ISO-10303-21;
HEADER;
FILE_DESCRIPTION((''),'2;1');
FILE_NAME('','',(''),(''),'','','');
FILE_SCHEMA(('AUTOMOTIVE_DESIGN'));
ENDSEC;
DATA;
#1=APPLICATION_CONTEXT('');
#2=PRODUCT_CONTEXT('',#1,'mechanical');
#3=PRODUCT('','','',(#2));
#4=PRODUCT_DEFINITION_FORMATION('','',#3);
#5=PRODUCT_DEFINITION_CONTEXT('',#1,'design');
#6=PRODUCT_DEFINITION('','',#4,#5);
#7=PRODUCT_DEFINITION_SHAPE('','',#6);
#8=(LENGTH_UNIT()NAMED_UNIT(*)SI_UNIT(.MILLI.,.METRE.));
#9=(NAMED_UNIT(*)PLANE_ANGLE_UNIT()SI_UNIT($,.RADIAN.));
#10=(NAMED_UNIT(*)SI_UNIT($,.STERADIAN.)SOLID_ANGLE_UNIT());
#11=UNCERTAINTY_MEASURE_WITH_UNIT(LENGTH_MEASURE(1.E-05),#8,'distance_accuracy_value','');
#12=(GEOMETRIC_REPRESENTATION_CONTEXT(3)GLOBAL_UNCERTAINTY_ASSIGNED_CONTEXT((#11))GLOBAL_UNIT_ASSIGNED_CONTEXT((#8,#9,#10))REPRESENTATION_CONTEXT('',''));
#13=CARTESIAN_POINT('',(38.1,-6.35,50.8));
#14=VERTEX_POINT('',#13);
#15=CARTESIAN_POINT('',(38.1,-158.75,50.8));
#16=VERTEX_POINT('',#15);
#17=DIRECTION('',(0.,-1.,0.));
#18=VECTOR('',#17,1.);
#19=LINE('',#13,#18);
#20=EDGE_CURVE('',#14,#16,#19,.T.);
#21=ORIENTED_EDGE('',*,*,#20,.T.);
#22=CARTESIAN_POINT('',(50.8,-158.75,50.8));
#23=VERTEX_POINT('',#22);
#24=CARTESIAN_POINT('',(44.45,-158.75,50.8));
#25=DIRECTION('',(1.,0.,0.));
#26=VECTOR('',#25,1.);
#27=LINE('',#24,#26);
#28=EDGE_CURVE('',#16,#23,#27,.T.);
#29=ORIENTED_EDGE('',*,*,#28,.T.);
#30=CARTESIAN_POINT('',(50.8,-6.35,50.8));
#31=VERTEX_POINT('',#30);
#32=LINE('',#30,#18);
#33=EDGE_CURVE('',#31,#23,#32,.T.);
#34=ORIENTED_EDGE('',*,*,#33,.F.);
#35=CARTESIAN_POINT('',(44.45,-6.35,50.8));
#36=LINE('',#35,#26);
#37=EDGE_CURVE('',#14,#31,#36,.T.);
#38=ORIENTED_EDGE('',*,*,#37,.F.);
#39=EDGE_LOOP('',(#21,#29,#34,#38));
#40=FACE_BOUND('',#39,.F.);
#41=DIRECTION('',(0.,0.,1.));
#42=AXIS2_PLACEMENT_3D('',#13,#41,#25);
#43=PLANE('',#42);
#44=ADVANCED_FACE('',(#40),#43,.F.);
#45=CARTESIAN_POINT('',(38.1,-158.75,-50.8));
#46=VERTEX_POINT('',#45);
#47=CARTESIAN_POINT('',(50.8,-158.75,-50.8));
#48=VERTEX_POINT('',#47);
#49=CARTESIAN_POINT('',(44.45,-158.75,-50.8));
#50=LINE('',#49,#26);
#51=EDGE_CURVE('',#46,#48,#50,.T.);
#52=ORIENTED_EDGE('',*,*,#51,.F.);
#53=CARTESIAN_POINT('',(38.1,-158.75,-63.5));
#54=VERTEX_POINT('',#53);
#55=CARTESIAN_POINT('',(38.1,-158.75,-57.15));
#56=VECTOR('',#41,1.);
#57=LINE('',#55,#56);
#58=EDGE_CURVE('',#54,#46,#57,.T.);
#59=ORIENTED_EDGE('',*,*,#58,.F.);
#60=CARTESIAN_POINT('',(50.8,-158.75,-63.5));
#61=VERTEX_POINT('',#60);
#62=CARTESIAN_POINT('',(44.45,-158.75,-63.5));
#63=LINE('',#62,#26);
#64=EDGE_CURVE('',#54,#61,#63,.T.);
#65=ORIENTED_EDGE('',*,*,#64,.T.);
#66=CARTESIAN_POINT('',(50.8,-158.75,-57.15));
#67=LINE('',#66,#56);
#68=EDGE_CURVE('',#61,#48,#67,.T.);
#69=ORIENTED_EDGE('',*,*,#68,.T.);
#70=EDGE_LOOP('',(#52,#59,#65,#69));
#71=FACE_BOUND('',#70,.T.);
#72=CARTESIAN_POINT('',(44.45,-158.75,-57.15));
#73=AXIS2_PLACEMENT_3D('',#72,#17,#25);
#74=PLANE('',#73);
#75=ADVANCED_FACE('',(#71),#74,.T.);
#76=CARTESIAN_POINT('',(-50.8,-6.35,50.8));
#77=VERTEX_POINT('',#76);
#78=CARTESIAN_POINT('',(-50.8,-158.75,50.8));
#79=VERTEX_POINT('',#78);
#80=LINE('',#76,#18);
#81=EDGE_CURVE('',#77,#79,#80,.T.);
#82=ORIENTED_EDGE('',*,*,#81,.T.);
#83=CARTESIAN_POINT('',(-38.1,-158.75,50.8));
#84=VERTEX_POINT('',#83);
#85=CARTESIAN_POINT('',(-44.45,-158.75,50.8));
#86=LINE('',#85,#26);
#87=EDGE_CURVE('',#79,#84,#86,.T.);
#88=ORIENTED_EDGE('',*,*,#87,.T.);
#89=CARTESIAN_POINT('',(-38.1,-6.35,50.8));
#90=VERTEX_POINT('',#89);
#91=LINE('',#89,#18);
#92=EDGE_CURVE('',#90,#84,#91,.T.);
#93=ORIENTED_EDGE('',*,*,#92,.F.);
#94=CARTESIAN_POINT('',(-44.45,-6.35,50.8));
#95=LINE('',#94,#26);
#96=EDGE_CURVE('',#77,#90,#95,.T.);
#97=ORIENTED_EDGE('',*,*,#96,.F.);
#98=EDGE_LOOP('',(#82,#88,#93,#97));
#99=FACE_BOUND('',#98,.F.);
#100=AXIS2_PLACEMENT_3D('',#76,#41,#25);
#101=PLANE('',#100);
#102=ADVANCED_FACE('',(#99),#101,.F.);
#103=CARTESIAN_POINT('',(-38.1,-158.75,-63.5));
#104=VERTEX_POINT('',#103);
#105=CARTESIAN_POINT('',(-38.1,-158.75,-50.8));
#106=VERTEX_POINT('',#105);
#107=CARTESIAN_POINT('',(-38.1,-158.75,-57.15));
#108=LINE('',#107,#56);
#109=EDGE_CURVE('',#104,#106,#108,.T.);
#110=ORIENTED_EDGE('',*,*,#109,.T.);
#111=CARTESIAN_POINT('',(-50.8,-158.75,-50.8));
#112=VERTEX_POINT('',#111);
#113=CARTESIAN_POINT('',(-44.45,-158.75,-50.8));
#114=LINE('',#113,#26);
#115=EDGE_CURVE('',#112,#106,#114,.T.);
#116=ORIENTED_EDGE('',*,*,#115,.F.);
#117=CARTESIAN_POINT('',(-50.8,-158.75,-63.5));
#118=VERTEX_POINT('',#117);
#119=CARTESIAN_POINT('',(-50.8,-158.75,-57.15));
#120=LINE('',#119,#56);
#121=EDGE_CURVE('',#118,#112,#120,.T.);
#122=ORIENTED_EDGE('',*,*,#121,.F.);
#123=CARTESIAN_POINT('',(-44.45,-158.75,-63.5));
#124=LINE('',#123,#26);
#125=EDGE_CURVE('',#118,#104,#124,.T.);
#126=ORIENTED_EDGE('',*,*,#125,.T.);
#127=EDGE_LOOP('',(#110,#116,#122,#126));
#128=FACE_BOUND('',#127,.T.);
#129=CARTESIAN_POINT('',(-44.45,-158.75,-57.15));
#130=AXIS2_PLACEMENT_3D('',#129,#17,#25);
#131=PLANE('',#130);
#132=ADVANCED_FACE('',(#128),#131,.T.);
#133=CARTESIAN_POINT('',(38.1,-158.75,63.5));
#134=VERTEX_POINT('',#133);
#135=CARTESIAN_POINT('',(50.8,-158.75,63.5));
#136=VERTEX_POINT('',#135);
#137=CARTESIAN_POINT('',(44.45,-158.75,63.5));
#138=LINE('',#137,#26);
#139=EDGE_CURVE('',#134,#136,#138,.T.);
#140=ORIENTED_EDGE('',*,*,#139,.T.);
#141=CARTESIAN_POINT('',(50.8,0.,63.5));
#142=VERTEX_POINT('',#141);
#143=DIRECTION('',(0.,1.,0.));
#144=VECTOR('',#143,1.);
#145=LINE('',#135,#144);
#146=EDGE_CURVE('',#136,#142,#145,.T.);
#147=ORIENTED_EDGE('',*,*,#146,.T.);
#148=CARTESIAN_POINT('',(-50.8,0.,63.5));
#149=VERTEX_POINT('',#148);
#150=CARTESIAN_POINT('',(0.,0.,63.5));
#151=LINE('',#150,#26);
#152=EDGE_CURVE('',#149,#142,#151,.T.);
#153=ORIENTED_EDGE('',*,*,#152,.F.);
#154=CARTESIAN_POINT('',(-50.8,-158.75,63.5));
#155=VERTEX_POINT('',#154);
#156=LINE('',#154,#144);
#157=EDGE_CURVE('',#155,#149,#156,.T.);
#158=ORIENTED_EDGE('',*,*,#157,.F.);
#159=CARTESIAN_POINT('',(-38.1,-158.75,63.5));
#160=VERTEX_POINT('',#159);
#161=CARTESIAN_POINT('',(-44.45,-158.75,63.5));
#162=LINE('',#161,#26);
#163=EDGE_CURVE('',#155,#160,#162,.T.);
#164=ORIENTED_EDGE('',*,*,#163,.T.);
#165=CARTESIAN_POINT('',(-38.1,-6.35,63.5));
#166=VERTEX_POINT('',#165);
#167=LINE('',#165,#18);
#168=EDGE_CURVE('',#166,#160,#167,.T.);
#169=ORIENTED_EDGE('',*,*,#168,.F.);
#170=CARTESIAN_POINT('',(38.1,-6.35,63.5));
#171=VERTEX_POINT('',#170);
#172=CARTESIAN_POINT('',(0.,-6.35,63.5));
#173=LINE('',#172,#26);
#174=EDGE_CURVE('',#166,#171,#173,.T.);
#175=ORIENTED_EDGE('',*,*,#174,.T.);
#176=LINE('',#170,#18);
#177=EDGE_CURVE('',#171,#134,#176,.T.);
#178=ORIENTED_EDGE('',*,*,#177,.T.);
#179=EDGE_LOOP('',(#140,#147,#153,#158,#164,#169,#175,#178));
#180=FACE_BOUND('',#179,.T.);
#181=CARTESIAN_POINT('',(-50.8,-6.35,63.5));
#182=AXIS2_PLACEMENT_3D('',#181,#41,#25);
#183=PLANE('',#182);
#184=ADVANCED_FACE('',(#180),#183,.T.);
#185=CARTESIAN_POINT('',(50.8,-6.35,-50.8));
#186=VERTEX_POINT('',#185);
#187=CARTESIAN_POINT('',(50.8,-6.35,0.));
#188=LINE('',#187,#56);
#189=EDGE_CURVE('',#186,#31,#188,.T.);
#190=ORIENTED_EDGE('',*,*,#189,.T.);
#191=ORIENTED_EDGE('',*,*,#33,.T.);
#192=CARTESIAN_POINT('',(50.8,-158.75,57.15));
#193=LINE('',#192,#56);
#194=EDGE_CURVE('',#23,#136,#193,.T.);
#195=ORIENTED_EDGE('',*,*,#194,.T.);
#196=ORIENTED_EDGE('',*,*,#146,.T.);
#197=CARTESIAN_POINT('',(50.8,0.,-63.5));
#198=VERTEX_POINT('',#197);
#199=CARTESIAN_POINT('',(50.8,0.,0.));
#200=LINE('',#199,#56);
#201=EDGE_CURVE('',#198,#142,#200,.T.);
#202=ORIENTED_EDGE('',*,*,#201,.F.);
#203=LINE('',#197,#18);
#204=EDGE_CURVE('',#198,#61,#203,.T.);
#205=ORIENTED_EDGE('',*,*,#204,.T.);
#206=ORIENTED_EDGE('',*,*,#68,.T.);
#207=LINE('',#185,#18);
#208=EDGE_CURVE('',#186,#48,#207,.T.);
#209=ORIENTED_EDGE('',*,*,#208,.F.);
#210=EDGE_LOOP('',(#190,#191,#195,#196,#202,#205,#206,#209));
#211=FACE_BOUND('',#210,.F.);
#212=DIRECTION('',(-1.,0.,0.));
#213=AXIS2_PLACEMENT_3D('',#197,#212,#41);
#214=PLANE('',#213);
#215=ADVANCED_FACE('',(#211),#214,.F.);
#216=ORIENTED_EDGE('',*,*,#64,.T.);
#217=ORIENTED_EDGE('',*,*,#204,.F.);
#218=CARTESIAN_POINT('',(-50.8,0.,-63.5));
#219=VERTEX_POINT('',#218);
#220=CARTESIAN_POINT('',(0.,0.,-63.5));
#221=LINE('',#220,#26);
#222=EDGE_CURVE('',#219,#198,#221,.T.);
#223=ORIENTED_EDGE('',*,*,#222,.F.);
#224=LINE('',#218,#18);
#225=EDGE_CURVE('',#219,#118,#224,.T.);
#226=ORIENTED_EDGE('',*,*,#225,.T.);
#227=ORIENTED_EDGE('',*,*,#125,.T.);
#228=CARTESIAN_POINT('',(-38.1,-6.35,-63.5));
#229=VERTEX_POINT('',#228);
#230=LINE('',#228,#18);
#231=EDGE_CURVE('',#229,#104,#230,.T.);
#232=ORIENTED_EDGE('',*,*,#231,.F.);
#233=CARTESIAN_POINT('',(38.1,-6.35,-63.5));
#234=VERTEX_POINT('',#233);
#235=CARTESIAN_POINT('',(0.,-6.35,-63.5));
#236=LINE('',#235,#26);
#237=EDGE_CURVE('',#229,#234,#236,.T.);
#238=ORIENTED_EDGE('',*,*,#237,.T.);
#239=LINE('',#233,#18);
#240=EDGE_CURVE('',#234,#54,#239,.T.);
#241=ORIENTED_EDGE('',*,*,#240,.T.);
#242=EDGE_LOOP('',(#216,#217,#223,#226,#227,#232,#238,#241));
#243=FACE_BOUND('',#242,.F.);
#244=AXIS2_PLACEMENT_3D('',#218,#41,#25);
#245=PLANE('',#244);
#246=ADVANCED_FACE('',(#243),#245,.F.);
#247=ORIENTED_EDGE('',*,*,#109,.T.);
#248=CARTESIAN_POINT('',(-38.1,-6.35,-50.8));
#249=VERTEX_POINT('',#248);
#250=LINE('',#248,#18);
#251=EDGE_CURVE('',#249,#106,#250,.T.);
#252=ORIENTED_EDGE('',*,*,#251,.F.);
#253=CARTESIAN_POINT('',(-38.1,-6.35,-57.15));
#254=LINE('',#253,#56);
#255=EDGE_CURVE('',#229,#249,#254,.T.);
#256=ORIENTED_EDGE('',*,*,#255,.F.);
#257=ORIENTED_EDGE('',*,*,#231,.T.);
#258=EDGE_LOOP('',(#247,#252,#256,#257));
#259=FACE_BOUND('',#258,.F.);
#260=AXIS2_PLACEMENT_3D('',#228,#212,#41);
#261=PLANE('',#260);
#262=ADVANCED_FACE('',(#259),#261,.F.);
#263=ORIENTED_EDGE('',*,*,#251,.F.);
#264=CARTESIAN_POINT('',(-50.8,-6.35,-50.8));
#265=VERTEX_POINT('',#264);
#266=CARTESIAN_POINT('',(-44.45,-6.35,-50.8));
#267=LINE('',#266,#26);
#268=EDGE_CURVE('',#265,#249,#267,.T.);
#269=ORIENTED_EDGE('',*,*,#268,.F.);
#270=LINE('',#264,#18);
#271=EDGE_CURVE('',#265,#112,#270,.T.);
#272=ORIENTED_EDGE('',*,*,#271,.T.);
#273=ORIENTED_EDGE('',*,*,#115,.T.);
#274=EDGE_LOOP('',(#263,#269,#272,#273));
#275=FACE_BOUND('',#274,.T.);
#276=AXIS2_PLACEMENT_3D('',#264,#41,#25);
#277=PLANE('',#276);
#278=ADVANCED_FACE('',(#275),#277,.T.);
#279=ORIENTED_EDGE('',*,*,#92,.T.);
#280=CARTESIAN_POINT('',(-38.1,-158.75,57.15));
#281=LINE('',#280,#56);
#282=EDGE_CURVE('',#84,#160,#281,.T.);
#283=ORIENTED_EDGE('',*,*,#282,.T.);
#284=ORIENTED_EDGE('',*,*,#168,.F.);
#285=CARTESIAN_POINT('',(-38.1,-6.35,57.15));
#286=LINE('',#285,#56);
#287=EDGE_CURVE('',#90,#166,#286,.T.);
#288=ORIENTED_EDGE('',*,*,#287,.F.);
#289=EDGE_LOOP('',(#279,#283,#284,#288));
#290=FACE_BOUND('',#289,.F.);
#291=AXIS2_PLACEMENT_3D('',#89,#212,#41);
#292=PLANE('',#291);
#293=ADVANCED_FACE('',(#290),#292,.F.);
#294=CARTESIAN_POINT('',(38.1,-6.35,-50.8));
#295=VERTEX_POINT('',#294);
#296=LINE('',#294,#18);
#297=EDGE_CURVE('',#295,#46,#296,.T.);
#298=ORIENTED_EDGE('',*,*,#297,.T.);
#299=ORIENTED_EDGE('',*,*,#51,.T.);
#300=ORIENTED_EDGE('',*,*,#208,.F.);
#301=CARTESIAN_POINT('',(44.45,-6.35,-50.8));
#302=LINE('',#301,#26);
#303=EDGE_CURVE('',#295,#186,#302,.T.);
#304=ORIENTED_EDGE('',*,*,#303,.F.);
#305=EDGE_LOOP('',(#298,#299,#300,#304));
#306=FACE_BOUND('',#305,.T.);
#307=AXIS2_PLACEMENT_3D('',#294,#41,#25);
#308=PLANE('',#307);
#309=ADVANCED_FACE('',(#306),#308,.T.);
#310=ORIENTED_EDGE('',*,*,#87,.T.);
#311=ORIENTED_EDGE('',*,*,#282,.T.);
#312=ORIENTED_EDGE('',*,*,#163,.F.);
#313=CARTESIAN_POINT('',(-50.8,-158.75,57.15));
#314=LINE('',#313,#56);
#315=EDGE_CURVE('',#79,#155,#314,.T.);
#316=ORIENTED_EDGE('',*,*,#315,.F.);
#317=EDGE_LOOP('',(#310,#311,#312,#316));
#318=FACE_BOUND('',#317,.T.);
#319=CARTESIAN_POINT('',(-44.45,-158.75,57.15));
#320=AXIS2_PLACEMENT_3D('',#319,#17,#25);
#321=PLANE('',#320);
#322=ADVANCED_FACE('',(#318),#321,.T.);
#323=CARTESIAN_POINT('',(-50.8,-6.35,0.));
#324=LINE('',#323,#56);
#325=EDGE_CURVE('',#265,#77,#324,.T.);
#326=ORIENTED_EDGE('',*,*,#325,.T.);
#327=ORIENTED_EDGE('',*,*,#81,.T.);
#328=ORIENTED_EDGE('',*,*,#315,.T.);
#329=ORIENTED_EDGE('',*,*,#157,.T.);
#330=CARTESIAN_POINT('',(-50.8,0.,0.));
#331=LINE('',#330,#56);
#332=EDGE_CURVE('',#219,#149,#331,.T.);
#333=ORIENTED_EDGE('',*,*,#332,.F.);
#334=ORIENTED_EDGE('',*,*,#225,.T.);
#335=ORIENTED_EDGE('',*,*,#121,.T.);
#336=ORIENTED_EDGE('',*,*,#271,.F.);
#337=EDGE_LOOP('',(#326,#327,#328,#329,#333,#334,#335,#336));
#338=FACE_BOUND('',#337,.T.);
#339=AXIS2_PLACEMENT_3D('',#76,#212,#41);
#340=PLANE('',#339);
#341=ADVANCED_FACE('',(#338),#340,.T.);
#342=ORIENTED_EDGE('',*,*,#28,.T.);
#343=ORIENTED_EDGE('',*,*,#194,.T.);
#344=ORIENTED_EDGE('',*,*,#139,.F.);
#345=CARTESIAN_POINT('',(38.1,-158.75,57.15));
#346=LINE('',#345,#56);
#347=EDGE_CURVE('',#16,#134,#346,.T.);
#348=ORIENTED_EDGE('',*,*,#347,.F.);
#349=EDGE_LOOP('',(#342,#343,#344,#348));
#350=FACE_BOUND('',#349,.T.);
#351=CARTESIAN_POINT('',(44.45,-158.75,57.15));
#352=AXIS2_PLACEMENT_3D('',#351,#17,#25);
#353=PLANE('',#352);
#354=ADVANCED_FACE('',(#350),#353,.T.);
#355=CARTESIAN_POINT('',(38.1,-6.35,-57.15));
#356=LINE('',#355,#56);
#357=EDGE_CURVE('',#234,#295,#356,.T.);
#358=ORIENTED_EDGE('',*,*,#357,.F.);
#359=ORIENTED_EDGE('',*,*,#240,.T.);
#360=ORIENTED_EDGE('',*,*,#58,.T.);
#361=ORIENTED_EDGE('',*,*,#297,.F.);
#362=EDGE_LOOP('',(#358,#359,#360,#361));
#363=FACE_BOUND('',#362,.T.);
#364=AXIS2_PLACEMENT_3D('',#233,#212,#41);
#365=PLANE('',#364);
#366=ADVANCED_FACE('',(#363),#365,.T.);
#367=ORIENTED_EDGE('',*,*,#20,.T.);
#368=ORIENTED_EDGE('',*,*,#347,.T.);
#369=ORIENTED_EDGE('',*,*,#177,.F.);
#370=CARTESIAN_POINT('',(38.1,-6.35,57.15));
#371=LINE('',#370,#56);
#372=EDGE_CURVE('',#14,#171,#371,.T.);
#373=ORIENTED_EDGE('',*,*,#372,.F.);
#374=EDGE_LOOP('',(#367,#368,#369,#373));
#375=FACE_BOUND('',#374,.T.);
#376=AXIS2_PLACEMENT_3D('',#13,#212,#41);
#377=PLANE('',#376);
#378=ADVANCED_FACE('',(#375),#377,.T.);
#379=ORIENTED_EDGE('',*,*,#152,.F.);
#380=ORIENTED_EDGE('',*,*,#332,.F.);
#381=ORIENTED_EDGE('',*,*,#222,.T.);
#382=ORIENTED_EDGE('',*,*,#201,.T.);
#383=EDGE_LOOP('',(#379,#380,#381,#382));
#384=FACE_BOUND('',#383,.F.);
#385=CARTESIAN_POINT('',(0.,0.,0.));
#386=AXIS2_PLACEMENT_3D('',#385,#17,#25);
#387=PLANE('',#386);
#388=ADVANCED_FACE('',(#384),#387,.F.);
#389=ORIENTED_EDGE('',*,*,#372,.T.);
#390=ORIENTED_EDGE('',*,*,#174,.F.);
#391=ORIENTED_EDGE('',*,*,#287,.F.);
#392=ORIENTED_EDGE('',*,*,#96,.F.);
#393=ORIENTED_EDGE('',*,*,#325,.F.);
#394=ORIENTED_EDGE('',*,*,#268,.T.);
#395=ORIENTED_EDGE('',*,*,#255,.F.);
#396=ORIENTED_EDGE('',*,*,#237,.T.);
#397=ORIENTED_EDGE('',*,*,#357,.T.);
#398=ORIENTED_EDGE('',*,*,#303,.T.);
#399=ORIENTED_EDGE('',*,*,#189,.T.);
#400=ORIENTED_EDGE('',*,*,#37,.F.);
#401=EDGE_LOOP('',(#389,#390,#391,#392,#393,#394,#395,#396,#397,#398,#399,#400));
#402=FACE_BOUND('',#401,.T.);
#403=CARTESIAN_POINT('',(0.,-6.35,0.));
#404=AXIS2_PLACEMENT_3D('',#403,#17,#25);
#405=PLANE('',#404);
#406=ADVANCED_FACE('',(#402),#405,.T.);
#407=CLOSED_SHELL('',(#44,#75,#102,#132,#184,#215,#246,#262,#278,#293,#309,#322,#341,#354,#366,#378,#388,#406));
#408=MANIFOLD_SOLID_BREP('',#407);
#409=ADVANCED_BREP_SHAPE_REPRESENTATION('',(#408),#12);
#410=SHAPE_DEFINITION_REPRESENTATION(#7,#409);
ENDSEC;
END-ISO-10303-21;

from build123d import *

# Parameters (mm, degrees)
F0_W     = 101.6
F0_H     = 127
F1_DEPTH = 6.35
F2_W     = 12.7
F2_H     = 12.7
F3_DEPTH = 152.4


with BuildPart() as f1:
    # F0 (on Front) → F1 (new body)
    with BuildSketch(Plane.XZ):
        Rectangle(F0_W, F0_H)
    extrude(amount=F1_DEPTH)

    # F2 (on face) → F3 (join)
    with BuildSketch(Plane.XZ.offset(6.35)):
        with Locations((-44.45, 57.15)):
            Rectangle(F2_W, F2_H)
        with Locations((-44.45, -57.15)):
            Rectangle(F2_W, F2_H)
        with Locations((44.45, -57.15)):
            Rectangle(F2_W, F2_H)
        with Locations((44.45, 57.15)):
            Rectangle(F2_W, F2_H)
    extrude(amount=F3_DEPTH)


solid = f1.part
